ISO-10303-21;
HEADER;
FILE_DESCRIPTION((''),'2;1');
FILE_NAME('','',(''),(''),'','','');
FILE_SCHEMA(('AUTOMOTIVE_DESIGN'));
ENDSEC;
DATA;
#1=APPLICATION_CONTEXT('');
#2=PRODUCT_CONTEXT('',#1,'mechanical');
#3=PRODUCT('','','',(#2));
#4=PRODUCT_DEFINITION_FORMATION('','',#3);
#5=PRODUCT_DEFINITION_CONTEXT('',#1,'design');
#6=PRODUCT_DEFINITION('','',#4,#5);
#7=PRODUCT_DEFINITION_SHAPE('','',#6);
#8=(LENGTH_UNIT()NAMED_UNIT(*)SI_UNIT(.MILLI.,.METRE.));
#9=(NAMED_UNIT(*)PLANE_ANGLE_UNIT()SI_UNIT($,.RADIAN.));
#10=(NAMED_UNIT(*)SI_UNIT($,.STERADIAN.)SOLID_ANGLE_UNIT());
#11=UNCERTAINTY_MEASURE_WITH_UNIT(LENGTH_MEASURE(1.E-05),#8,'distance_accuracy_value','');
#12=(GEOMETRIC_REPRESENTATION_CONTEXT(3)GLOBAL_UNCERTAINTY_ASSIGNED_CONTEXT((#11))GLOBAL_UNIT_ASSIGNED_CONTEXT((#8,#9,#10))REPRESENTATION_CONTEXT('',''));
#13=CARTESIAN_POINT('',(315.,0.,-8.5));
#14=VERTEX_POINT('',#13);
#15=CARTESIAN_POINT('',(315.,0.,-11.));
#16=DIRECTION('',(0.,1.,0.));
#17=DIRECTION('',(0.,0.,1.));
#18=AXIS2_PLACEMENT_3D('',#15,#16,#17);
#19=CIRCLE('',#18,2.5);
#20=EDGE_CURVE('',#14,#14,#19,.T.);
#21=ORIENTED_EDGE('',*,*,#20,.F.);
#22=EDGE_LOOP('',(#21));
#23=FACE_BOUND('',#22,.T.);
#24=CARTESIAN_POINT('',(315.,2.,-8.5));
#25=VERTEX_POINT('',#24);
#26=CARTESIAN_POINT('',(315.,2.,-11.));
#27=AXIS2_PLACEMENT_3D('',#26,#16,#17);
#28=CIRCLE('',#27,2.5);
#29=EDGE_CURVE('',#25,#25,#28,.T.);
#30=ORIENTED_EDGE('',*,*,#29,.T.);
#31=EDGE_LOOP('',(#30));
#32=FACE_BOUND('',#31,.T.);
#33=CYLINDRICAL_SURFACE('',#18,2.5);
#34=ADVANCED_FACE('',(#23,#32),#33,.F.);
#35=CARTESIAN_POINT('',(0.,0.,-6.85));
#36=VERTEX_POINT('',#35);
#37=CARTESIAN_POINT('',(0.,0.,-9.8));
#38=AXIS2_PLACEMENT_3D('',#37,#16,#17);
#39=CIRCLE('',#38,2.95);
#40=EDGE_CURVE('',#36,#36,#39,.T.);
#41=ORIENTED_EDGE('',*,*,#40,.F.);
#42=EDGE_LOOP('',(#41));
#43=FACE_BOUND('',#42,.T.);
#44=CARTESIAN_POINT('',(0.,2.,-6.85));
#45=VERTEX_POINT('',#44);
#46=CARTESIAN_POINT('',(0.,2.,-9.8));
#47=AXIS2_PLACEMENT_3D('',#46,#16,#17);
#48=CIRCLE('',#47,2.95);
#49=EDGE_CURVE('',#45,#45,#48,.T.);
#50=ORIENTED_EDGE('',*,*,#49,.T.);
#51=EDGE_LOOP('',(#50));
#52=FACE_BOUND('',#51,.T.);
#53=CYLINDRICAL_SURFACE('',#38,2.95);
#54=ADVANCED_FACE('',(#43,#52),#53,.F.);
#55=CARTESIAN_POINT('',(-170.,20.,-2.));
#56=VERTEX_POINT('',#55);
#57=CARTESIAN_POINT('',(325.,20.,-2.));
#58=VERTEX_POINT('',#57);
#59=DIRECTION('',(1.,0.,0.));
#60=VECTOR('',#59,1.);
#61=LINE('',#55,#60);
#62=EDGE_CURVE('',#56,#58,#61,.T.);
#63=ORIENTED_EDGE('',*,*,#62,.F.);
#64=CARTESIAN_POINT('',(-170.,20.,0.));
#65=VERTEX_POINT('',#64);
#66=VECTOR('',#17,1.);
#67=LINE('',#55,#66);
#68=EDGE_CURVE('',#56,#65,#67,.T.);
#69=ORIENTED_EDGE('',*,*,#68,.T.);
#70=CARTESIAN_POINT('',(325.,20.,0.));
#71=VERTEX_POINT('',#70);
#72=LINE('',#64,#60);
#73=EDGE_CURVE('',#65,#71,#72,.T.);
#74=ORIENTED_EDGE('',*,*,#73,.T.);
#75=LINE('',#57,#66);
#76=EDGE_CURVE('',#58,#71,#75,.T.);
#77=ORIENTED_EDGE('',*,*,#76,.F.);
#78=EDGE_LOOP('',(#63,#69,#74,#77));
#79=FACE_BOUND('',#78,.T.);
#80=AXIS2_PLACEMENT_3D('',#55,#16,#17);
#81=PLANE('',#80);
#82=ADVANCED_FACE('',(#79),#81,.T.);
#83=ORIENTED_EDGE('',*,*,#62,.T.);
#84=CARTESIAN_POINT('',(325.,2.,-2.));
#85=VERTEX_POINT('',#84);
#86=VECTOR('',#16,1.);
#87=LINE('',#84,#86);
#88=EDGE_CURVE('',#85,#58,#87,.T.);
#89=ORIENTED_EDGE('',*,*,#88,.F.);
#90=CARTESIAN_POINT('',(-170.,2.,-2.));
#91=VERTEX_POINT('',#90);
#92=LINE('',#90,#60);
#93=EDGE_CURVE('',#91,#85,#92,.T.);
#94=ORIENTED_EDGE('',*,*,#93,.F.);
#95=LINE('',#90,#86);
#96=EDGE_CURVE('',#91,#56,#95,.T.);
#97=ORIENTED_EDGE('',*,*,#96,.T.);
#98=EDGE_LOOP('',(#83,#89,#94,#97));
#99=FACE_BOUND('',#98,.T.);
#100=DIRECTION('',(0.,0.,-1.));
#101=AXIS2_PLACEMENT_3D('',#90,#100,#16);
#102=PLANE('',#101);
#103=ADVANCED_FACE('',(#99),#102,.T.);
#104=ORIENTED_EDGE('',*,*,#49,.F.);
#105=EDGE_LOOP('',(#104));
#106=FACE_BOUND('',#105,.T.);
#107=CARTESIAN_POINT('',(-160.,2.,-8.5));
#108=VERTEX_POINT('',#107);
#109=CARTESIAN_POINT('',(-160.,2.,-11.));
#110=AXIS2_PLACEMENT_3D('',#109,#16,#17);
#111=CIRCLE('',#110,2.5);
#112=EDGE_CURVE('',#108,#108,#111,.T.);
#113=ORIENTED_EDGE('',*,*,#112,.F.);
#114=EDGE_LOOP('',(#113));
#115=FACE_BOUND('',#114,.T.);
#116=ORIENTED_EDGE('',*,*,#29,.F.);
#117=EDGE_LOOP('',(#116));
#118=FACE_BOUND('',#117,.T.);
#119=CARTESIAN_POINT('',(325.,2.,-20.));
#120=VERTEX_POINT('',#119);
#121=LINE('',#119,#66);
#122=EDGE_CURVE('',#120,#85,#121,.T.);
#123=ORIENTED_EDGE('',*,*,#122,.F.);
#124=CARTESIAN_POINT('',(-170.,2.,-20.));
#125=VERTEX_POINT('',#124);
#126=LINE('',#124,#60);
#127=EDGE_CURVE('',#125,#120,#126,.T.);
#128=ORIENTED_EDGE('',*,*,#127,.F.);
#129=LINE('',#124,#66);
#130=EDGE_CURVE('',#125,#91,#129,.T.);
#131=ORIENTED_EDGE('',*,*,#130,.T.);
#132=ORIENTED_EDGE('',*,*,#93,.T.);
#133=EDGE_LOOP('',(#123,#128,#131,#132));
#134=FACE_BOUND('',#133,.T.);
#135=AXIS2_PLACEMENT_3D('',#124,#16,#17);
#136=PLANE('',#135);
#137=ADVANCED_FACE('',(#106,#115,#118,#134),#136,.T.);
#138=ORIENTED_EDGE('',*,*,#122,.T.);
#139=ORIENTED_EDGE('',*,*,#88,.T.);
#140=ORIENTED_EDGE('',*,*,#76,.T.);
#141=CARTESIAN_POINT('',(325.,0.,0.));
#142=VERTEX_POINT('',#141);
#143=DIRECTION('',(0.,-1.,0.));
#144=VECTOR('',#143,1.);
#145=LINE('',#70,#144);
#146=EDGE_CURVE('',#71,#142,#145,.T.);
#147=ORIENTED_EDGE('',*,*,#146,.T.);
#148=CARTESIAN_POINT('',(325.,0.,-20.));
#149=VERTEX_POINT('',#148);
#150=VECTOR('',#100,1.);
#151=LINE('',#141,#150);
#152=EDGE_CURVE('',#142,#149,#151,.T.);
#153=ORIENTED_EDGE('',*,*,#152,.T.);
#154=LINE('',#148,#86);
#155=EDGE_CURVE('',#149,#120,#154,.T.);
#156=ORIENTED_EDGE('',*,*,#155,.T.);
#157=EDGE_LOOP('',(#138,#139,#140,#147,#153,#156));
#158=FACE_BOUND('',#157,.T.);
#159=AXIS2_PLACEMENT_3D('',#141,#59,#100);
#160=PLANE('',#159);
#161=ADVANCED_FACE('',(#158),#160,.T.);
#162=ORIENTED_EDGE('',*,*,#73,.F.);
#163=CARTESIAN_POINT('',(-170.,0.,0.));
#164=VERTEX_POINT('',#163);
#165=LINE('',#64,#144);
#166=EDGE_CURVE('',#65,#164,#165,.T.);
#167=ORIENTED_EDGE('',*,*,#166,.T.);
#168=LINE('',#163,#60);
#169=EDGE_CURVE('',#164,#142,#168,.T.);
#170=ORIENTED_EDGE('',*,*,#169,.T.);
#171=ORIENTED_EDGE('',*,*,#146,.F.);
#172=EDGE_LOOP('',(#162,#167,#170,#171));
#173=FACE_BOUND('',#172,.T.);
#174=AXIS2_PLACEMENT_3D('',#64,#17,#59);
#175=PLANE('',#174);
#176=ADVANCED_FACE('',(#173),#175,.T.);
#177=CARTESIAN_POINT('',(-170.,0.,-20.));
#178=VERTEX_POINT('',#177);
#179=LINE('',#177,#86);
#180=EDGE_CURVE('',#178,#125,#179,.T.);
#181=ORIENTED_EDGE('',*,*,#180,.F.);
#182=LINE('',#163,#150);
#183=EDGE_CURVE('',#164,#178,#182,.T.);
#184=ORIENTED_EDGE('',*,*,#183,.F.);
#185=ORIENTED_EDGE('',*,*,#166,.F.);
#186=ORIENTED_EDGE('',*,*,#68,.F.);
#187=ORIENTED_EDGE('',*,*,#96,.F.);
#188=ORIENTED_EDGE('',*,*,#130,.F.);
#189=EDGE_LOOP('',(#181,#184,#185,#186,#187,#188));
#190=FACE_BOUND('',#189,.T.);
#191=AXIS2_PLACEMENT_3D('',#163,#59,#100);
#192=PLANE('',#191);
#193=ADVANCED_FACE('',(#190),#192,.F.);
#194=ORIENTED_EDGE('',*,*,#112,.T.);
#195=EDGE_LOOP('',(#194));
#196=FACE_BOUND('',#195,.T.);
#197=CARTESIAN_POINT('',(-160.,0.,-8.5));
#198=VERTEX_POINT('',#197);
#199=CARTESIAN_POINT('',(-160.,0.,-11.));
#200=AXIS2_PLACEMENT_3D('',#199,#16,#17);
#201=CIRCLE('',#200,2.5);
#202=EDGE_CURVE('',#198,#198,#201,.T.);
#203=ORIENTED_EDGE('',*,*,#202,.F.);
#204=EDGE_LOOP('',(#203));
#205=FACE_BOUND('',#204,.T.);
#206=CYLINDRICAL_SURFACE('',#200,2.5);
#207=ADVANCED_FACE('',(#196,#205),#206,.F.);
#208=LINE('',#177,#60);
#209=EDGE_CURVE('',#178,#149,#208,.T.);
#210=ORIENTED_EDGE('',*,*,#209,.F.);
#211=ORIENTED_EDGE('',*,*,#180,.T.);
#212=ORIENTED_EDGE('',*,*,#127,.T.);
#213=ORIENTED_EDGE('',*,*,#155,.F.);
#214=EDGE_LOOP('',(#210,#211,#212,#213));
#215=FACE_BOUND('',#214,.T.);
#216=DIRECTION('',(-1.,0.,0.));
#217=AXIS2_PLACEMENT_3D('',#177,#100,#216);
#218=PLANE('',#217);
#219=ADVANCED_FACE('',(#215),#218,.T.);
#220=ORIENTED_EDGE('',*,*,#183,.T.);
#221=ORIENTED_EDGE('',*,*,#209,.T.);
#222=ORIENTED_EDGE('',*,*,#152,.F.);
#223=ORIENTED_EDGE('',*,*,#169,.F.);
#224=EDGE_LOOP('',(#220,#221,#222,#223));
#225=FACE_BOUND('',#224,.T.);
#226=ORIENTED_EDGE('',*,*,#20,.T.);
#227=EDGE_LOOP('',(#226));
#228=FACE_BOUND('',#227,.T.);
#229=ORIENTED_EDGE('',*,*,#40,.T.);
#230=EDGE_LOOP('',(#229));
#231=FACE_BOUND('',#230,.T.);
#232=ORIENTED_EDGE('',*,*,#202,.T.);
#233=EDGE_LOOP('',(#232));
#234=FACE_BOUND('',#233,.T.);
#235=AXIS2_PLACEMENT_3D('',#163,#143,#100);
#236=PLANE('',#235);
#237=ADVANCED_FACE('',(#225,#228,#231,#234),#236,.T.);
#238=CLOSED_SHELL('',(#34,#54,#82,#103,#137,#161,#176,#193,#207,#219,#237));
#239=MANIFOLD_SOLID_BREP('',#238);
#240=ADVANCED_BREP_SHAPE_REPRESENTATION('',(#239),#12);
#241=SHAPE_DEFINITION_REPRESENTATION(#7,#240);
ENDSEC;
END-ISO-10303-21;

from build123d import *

# Parameters (mm, degrees)
BOSS_EXTRUDE1_DEPTH      = 325
BOSS_EXTRUDE1_DEPTH_BACK = 170
SKETCH2_R                = 2.95
SKETCH2_R_2              = 2.5
CUT_EXTRUDE1_DEPTH       = 2


with BuildPart() as part:
    # Sketch1 → Boss-Extrude1 (new, two sides: drawn at the far end of the back side and taken through both)
    with BuildSketch(Plane(origin=(0, 0, 0), x_dir=(0, 0, -1), z_dir=(1, 0, 0)).offset(-BOSS_EXTRUDE1_DEPTH_BACK)):
        Polygon((0, 20), (0, 0), (20, 0), (20, 2), (2, 2), (2, 20), align=None)
    extrude(amount=BOSS_EXTRUDE1_DEPTH + BOSS_EXTRUDE1_DEPTH_BACK)

    # Sketch2 → Cut-Extrude1 (cut)
    with BuildSketch(Plane(origin=(0, 2, 0), x_dir=(1, 0, 0), z_dir=(0, 1, 0))):
        with Locations(Location((0, 9.8, 0), (0, 0, 270))):
            Circle(SKETCH2_R)
        with Locations(Location((315, 11, 0), (0, 0, 270))):
            Circle(SKETCH2_R_2)
        with Locations(Location((-160, 11, 0), (0, 0, 270))):
            Circle(SKETCH2_R_2)
    extrude(amount=-CUT_EXTRUDE1_DEPTH, mode=Mode.SUBTRACT)


solid = part.part
